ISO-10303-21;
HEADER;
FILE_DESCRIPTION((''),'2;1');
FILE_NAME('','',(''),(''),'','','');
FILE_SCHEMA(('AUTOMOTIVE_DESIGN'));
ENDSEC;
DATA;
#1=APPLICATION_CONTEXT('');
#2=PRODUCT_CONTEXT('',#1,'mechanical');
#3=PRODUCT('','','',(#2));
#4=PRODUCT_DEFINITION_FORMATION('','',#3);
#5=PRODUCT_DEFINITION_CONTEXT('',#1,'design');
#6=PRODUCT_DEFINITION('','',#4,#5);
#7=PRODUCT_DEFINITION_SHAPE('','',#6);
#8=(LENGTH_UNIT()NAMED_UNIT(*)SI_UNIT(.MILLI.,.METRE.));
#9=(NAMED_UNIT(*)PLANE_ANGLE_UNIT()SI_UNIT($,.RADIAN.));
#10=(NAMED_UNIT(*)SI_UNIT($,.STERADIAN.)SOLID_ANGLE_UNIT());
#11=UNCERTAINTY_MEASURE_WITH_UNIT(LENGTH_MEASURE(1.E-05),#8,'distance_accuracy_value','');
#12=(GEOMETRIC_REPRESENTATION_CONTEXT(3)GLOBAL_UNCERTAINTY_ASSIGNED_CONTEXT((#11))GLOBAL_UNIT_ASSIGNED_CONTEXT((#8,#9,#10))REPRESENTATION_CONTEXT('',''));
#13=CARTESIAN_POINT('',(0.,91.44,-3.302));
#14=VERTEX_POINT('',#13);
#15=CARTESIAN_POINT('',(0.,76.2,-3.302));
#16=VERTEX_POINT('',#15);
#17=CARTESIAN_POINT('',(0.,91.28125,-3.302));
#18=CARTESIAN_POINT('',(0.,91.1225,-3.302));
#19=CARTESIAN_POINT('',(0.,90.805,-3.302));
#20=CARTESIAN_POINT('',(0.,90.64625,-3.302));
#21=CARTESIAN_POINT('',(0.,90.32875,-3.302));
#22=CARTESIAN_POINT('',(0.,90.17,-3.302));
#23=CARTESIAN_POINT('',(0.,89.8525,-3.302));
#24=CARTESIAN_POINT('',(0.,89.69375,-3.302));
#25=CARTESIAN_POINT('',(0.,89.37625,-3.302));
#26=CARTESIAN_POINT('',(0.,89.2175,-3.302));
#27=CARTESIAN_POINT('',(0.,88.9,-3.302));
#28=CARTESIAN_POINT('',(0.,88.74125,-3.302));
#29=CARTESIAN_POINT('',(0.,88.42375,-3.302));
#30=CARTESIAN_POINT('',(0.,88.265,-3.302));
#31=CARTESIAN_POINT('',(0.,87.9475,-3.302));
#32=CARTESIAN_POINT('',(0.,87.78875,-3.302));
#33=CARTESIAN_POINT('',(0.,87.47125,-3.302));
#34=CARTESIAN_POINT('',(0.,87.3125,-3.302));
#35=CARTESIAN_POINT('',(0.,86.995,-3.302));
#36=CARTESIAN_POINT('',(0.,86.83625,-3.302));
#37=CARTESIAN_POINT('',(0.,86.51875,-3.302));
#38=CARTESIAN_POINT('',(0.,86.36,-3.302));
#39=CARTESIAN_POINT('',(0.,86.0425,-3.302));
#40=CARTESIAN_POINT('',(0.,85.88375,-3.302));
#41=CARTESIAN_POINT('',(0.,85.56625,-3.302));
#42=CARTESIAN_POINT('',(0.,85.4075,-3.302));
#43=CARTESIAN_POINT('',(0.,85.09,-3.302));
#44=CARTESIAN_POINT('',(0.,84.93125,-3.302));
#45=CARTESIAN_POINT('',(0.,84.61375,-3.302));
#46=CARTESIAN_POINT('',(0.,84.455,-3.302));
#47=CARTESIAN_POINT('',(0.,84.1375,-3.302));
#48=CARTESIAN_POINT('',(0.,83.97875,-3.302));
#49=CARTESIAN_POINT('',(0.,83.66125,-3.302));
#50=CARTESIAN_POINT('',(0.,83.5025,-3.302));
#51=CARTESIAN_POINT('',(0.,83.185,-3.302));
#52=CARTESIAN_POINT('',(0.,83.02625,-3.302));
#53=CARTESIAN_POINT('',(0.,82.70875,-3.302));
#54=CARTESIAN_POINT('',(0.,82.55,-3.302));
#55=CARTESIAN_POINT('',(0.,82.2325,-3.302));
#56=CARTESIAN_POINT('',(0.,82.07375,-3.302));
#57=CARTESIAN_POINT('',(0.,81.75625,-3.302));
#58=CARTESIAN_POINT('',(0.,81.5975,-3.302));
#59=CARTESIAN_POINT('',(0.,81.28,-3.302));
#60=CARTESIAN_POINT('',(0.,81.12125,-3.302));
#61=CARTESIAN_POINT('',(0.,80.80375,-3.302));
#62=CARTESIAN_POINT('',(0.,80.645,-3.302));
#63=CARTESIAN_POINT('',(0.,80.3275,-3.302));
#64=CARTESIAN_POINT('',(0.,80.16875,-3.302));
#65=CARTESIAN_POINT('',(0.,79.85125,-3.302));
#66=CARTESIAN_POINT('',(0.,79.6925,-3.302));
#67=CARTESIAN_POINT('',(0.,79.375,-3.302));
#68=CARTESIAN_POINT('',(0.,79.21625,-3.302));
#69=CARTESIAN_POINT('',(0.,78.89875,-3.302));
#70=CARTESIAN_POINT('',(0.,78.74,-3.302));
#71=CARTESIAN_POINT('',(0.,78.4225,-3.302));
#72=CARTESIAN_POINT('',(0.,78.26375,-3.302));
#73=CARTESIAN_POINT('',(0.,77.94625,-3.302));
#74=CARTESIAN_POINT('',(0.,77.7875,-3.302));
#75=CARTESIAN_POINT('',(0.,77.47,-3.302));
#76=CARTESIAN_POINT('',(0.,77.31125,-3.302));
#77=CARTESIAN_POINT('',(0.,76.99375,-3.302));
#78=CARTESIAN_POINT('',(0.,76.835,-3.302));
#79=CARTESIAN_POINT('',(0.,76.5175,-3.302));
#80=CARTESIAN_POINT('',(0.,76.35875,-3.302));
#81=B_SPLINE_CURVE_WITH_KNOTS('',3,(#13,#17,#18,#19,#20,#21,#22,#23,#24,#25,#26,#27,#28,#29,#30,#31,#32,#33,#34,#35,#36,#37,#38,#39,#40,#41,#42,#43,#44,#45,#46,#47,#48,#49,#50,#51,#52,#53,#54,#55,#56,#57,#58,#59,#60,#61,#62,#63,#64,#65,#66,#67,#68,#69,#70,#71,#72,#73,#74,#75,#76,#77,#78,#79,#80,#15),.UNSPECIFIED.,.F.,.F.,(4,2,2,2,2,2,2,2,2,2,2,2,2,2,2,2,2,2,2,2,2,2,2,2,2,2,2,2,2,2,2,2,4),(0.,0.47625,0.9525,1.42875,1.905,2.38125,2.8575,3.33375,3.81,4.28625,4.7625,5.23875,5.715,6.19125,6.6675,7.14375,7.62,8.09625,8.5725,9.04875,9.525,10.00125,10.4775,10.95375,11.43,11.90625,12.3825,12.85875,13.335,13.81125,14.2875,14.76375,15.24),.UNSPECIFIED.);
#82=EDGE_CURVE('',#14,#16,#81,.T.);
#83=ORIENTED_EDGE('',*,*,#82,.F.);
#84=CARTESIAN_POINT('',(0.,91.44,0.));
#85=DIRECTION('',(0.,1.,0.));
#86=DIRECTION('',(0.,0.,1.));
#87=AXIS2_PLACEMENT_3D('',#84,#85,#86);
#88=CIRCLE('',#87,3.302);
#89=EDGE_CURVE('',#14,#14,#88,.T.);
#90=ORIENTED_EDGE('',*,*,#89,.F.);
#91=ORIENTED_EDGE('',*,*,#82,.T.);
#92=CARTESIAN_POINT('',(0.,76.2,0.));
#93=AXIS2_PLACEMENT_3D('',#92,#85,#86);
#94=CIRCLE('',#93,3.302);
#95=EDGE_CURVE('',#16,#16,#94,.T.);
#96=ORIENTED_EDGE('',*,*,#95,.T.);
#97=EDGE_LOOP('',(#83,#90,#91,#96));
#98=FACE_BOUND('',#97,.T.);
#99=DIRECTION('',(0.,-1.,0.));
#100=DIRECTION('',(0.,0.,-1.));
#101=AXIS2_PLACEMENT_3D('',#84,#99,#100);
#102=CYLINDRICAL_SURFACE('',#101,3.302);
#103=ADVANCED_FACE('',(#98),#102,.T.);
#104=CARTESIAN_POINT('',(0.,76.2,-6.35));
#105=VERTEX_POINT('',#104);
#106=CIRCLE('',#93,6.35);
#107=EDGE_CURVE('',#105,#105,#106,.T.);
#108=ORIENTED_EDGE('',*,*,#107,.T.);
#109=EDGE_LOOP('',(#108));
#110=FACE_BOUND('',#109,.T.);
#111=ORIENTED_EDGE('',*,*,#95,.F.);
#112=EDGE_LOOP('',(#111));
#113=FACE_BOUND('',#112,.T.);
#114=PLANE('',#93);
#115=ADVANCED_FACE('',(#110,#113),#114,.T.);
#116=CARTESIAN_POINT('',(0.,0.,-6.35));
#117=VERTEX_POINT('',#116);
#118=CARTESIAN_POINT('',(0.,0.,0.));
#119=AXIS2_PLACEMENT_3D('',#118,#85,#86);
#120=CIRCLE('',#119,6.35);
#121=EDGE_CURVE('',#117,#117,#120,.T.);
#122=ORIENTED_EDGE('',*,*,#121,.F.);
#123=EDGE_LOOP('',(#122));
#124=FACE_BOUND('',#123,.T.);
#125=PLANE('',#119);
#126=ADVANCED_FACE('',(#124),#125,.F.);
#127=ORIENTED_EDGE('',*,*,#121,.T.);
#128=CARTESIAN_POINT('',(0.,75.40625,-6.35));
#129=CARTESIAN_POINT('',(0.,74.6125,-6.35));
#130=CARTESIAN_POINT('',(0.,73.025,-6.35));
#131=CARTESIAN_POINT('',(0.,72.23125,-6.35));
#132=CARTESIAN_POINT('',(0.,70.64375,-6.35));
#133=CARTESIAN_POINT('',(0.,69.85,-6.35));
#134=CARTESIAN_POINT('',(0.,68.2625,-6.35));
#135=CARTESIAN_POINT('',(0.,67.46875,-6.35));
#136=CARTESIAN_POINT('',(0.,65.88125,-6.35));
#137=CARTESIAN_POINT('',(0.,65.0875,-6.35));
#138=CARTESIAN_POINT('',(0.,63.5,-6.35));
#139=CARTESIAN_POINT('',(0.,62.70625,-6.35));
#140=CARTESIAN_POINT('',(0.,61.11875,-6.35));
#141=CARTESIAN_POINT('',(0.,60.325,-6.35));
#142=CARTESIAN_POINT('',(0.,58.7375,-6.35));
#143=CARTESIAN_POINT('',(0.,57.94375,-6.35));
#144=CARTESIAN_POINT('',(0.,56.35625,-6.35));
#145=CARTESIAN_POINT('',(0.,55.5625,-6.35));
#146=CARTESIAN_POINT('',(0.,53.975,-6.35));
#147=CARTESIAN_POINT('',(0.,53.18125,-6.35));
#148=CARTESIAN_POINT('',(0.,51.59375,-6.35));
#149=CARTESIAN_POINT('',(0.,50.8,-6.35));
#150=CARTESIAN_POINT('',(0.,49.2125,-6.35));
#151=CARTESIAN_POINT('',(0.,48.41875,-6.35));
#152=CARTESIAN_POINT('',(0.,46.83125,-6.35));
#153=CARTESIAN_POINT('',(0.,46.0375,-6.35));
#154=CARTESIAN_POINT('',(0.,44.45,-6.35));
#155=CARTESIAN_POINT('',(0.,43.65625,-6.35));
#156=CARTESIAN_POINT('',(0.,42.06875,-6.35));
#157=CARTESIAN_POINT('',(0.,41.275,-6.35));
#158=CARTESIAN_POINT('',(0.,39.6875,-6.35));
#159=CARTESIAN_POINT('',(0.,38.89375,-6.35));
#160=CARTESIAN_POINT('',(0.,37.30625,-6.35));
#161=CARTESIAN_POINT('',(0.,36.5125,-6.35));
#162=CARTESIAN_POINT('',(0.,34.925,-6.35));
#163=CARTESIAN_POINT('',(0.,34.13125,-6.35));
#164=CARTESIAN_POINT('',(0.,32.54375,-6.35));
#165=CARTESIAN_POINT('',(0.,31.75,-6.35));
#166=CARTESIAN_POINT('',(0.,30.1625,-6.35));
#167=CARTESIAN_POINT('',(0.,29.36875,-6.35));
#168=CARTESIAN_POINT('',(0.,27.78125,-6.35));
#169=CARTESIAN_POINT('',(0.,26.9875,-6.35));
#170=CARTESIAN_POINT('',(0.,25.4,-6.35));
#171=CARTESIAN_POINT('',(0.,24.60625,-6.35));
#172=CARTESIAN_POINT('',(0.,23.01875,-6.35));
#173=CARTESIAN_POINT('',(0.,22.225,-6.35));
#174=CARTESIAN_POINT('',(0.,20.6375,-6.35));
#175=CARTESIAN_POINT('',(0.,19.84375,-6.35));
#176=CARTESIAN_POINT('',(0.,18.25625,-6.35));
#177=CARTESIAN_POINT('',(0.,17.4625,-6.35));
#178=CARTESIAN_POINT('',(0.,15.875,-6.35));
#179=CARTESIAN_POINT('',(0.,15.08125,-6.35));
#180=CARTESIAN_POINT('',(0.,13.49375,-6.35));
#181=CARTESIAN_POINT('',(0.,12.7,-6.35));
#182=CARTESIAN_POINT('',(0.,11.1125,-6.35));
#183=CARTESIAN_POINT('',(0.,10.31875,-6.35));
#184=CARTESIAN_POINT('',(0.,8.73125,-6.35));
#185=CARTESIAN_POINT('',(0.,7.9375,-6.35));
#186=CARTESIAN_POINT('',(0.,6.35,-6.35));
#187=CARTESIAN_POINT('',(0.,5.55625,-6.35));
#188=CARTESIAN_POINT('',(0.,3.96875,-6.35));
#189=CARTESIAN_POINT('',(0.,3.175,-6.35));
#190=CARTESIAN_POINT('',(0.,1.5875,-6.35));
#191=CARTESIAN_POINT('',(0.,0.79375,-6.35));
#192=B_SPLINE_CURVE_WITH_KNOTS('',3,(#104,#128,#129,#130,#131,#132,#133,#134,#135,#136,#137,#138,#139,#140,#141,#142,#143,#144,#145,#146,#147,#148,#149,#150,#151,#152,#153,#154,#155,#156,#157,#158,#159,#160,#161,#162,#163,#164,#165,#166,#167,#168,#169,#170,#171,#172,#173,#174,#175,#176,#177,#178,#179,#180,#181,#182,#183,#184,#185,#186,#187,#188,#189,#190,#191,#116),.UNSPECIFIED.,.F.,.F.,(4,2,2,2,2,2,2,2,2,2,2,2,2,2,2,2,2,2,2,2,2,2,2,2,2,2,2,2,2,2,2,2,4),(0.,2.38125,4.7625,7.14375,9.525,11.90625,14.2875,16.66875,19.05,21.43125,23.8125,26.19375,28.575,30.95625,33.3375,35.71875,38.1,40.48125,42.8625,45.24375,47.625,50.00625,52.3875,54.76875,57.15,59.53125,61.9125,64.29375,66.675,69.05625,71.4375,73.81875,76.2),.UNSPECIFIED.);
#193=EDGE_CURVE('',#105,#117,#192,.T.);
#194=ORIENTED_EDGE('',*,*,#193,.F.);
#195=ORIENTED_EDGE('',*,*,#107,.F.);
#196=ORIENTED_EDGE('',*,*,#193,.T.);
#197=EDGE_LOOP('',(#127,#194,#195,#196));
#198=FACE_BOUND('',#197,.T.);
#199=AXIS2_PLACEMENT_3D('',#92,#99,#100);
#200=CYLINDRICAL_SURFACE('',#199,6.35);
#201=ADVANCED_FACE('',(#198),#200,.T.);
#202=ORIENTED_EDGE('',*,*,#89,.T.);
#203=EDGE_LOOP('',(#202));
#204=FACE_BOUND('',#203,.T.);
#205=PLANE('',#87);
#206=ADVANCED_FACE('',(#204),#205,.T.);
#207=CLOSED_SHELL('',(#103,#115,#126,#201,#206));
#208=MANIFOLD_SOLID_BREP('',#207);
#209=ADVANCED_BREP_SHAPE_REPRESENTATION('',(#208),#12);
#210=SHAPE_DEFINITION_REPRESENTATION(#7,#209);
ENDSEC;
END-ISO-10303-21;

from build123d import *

# Parameters (mm, degrees)
SKETCH1_R           = 6.35
BOSS_EXTRUDE1_DEPTH = 76.2
SKETCH2_R           = 3.302
BOSS_EXTRUDE2_DEPTH = 15.24


with BuildPart() as part:
    # Sketch1 → Boss-Extrude1 (new body)
    with BuildSketch(Plane(origin=(0, 0, 0), x_dir=(1, 0, 0), z_dir=(0, 1, 0))):
        with Locations(Location((0, 0, 0), (0, 0, 90))):
            Circle(SKETCH1_R)
    extrude(amount=BOSS_EXTRUDE1_DEPTH)

    # Sketch2 → Boss-Extrude2 (add)
    with BuildSketch(Plane(origin=(0, 76.2, 0), x_dir=(1, 0, 0), z_dir=(0, 1, 0))):
        with Locations(Location((0, 0, 0), (0, 0, 90))):
            Circle(SKETCH2_R)
    extrude(amount=BOSS_EXTRUDE2_DEPTH)


solid = part.part
